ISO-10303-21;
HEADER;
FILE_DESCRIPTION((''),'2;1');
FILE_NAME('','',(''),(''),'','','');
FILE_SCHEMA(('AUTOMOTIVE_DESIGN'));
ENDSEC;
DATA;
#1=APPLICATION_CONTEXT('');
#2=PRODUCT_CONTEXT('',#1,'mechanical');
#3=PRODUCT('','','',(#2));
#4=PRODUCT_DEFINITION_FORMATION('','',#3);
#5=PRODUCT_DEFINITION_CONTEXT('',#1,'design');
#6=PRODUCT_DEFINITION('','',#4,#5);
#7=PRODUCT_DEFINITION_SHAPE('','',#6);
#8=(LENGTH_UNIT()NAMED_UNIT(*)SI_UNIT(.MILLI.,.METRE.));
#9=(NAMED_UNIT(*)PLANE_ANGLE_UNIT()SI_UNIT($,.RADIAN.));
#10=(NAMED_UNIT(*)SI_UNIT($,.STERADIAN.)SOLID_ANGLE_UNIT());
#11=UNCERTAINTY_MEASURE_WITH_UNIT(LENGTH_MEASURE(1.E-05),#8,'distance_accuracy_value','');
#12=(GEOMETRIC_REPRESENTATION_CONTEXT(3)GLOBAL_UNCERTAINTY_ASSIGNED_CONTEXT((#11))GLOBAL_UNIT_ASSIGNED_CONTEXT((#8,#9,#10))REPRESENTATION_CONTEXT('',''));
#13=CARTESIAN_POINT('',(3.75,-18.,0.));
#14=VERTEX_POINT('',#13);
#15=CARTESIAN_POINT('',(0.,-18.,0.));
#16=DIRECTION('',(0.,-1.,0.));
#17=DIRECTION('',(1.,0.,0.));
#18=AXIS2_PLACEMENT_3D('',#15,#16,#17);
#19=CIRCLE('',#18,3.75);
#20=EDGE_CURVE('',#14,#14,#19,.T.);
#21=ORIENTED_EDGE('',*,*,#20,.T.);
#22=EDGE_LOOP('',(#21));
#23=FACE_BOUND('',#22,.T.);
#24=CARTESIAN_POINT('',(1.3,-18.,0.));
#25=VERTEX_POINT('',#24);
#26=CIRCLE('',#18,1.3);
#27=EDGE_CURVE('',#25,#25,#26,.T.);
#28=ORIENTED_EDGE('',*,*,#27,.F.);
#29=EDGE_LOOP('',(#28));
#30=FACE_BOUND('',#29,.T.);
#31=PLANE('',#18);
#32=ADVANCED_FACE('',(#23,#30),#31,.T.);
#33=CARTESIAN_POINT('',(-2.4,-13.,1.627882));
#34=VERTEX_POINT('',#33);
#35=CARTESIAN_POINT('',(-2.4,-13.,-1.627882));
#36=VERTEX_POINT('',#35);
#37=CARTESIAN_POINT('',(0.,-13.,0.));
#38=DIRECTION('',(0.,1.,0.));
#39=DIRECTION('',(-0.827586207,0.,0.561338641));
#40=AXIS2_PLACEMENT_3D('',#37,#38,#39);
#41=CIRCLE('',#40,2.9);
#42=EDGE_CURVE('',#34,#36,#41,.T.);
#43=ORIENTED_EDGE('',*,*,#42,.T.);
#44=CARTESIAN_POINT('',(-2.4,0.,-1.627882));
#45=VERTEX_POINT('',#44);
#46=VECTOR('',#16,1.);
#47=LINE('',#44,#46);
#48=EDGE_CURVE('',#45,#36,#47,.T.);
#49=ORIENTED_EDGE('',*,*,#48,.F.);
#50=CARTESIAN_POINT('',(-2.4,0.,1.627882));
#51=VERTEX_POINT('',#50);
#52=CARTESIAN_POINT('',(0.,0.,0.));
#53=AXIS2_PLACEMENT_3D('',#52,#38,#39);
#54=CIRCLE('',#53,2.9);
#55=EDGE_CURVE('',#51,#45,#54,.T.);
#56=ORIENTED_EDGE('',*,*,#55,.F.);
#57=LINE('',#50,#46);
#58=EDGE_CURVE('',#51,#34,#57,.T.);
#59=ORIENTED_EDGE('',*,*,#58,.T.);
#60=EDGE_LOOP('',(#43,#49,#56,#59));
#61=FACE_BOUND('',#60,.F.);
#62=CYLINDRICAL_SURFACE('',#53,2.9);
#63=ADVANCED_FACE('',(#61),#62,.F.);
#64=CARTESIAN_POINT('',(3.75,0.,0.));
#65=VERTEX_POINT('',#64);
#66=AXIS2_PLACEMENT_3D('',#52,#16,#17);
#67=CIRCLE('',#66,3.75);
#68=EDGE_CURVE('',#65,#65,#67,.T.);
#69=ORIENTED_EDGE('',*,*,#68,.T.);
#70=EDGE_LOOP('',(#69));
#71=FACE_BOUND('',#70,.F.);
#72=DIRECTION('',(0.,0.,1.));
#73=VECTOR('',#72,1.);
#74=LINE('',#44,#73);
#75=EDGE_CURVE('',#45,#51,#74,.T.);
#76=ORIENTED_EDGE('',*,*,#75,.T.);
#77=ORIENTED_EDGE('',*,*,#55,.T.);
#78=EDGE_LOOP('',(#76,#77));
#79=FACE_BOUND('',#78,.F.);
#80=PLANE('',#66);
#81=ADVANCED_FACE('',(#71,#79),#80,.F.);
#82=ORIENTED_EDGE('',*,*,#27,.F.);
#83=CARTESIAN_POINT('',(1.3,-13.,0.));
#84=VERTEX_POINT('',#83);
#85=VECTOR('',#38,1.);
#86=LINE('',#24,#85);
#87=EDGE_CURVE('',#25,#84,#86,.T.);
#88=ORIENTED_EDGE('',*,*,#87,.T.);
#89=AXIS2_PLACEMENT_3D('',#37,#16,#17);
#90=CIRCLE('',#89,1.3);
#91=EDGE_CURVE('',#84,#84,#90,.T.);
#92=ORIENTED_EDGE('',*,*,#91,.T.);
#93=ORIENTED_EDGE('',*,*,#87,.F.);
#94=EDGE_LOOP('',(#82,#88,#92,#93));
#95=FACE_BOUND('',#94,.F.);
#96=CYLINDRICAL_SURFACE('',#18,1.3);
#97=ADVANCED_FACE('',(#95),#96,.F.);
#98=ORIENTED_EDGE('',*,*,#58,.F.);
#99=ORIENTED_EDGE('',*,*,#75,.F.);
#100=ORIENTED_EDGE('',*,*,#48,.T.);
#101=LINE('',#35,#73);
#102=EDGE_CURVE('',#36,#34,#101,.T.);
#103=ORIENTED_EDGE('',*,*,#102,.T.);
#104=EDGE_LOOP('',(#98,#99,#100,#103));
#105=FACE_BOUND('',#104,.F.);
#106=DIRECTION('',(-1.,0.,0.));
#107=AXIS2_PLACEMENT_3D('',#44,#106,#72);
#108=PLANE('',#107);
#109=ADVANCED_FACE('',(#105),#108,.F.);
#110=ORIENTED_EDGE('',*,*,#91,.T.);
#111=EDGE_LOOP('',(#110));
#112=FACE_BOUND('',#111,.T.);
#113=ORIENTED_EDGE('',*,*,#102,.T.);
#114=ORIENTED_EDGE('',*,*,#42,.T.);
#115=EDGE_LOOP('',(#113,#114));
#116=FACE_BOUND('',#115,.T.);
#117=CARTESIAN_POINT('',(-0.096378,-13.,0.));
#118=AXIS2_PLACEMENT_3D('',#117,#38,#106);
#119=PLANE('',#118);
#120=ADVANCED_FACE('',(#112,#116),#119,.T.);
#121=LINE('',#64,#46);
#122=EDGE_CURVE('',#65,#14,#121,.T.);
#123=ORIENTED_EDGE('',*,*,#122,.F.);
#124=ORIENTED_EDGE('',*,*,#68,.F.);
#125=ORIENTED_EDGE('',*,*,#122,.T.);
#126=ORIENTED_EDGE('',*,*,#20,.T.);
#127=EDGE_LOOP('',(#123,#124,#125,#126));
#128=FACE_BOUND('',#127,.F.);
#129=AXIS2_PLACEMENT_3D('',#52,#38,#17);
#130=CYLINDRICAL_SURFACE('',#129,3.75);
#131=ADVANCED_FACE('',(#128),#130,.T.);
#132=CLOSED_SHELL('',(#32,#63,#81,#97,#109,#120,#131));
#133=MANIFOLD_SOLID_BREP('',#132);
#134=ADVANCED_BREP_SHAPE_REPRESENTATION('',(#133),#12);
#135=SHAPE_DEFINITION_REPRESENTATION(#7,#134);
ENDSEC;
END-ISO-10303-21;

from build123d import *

# Parameters (mm, degrees)
F0_R     = 3.75
F1_DEPTH = 18
F3_DEPTH = 13
F4_R     = 1.3
F5_DEPTH = 18.001


with BuildPart() as f1:
    # F0 (on Front) → F1 (new body)
    with BuildSketch(Plane.XZ):
        Circle(F0_R)
    extrude(amount=F1_DEPTH)

    # F2 (on face) → F3 (cut, through all)
    with BuildSketch(Plane(origin=(0, 0, 0), x_dir=(-1, 0, 0), z_dir=(0, 1, 0))):
        with BuildLine():
            Line((2.4, -1.6278820596), (2.4, 1.6278820596))
            ThreePointArc((2.4, 1.6278820596), (-2.9, 0), (2.4, -1.6278820596))
        make_face()
    extrude(amount=-F3_DEPTH, mode=Mode.SUBTRACT)

    # F4 (on face) → F5 (cut, through all)
    with BuildSketch(Plane.XZ.offset(18)):
        Circle(F4_R)
    extrude(amount=-F5_DEPTH, mode=Mode.SUBTRACT)


solid = f1.part
